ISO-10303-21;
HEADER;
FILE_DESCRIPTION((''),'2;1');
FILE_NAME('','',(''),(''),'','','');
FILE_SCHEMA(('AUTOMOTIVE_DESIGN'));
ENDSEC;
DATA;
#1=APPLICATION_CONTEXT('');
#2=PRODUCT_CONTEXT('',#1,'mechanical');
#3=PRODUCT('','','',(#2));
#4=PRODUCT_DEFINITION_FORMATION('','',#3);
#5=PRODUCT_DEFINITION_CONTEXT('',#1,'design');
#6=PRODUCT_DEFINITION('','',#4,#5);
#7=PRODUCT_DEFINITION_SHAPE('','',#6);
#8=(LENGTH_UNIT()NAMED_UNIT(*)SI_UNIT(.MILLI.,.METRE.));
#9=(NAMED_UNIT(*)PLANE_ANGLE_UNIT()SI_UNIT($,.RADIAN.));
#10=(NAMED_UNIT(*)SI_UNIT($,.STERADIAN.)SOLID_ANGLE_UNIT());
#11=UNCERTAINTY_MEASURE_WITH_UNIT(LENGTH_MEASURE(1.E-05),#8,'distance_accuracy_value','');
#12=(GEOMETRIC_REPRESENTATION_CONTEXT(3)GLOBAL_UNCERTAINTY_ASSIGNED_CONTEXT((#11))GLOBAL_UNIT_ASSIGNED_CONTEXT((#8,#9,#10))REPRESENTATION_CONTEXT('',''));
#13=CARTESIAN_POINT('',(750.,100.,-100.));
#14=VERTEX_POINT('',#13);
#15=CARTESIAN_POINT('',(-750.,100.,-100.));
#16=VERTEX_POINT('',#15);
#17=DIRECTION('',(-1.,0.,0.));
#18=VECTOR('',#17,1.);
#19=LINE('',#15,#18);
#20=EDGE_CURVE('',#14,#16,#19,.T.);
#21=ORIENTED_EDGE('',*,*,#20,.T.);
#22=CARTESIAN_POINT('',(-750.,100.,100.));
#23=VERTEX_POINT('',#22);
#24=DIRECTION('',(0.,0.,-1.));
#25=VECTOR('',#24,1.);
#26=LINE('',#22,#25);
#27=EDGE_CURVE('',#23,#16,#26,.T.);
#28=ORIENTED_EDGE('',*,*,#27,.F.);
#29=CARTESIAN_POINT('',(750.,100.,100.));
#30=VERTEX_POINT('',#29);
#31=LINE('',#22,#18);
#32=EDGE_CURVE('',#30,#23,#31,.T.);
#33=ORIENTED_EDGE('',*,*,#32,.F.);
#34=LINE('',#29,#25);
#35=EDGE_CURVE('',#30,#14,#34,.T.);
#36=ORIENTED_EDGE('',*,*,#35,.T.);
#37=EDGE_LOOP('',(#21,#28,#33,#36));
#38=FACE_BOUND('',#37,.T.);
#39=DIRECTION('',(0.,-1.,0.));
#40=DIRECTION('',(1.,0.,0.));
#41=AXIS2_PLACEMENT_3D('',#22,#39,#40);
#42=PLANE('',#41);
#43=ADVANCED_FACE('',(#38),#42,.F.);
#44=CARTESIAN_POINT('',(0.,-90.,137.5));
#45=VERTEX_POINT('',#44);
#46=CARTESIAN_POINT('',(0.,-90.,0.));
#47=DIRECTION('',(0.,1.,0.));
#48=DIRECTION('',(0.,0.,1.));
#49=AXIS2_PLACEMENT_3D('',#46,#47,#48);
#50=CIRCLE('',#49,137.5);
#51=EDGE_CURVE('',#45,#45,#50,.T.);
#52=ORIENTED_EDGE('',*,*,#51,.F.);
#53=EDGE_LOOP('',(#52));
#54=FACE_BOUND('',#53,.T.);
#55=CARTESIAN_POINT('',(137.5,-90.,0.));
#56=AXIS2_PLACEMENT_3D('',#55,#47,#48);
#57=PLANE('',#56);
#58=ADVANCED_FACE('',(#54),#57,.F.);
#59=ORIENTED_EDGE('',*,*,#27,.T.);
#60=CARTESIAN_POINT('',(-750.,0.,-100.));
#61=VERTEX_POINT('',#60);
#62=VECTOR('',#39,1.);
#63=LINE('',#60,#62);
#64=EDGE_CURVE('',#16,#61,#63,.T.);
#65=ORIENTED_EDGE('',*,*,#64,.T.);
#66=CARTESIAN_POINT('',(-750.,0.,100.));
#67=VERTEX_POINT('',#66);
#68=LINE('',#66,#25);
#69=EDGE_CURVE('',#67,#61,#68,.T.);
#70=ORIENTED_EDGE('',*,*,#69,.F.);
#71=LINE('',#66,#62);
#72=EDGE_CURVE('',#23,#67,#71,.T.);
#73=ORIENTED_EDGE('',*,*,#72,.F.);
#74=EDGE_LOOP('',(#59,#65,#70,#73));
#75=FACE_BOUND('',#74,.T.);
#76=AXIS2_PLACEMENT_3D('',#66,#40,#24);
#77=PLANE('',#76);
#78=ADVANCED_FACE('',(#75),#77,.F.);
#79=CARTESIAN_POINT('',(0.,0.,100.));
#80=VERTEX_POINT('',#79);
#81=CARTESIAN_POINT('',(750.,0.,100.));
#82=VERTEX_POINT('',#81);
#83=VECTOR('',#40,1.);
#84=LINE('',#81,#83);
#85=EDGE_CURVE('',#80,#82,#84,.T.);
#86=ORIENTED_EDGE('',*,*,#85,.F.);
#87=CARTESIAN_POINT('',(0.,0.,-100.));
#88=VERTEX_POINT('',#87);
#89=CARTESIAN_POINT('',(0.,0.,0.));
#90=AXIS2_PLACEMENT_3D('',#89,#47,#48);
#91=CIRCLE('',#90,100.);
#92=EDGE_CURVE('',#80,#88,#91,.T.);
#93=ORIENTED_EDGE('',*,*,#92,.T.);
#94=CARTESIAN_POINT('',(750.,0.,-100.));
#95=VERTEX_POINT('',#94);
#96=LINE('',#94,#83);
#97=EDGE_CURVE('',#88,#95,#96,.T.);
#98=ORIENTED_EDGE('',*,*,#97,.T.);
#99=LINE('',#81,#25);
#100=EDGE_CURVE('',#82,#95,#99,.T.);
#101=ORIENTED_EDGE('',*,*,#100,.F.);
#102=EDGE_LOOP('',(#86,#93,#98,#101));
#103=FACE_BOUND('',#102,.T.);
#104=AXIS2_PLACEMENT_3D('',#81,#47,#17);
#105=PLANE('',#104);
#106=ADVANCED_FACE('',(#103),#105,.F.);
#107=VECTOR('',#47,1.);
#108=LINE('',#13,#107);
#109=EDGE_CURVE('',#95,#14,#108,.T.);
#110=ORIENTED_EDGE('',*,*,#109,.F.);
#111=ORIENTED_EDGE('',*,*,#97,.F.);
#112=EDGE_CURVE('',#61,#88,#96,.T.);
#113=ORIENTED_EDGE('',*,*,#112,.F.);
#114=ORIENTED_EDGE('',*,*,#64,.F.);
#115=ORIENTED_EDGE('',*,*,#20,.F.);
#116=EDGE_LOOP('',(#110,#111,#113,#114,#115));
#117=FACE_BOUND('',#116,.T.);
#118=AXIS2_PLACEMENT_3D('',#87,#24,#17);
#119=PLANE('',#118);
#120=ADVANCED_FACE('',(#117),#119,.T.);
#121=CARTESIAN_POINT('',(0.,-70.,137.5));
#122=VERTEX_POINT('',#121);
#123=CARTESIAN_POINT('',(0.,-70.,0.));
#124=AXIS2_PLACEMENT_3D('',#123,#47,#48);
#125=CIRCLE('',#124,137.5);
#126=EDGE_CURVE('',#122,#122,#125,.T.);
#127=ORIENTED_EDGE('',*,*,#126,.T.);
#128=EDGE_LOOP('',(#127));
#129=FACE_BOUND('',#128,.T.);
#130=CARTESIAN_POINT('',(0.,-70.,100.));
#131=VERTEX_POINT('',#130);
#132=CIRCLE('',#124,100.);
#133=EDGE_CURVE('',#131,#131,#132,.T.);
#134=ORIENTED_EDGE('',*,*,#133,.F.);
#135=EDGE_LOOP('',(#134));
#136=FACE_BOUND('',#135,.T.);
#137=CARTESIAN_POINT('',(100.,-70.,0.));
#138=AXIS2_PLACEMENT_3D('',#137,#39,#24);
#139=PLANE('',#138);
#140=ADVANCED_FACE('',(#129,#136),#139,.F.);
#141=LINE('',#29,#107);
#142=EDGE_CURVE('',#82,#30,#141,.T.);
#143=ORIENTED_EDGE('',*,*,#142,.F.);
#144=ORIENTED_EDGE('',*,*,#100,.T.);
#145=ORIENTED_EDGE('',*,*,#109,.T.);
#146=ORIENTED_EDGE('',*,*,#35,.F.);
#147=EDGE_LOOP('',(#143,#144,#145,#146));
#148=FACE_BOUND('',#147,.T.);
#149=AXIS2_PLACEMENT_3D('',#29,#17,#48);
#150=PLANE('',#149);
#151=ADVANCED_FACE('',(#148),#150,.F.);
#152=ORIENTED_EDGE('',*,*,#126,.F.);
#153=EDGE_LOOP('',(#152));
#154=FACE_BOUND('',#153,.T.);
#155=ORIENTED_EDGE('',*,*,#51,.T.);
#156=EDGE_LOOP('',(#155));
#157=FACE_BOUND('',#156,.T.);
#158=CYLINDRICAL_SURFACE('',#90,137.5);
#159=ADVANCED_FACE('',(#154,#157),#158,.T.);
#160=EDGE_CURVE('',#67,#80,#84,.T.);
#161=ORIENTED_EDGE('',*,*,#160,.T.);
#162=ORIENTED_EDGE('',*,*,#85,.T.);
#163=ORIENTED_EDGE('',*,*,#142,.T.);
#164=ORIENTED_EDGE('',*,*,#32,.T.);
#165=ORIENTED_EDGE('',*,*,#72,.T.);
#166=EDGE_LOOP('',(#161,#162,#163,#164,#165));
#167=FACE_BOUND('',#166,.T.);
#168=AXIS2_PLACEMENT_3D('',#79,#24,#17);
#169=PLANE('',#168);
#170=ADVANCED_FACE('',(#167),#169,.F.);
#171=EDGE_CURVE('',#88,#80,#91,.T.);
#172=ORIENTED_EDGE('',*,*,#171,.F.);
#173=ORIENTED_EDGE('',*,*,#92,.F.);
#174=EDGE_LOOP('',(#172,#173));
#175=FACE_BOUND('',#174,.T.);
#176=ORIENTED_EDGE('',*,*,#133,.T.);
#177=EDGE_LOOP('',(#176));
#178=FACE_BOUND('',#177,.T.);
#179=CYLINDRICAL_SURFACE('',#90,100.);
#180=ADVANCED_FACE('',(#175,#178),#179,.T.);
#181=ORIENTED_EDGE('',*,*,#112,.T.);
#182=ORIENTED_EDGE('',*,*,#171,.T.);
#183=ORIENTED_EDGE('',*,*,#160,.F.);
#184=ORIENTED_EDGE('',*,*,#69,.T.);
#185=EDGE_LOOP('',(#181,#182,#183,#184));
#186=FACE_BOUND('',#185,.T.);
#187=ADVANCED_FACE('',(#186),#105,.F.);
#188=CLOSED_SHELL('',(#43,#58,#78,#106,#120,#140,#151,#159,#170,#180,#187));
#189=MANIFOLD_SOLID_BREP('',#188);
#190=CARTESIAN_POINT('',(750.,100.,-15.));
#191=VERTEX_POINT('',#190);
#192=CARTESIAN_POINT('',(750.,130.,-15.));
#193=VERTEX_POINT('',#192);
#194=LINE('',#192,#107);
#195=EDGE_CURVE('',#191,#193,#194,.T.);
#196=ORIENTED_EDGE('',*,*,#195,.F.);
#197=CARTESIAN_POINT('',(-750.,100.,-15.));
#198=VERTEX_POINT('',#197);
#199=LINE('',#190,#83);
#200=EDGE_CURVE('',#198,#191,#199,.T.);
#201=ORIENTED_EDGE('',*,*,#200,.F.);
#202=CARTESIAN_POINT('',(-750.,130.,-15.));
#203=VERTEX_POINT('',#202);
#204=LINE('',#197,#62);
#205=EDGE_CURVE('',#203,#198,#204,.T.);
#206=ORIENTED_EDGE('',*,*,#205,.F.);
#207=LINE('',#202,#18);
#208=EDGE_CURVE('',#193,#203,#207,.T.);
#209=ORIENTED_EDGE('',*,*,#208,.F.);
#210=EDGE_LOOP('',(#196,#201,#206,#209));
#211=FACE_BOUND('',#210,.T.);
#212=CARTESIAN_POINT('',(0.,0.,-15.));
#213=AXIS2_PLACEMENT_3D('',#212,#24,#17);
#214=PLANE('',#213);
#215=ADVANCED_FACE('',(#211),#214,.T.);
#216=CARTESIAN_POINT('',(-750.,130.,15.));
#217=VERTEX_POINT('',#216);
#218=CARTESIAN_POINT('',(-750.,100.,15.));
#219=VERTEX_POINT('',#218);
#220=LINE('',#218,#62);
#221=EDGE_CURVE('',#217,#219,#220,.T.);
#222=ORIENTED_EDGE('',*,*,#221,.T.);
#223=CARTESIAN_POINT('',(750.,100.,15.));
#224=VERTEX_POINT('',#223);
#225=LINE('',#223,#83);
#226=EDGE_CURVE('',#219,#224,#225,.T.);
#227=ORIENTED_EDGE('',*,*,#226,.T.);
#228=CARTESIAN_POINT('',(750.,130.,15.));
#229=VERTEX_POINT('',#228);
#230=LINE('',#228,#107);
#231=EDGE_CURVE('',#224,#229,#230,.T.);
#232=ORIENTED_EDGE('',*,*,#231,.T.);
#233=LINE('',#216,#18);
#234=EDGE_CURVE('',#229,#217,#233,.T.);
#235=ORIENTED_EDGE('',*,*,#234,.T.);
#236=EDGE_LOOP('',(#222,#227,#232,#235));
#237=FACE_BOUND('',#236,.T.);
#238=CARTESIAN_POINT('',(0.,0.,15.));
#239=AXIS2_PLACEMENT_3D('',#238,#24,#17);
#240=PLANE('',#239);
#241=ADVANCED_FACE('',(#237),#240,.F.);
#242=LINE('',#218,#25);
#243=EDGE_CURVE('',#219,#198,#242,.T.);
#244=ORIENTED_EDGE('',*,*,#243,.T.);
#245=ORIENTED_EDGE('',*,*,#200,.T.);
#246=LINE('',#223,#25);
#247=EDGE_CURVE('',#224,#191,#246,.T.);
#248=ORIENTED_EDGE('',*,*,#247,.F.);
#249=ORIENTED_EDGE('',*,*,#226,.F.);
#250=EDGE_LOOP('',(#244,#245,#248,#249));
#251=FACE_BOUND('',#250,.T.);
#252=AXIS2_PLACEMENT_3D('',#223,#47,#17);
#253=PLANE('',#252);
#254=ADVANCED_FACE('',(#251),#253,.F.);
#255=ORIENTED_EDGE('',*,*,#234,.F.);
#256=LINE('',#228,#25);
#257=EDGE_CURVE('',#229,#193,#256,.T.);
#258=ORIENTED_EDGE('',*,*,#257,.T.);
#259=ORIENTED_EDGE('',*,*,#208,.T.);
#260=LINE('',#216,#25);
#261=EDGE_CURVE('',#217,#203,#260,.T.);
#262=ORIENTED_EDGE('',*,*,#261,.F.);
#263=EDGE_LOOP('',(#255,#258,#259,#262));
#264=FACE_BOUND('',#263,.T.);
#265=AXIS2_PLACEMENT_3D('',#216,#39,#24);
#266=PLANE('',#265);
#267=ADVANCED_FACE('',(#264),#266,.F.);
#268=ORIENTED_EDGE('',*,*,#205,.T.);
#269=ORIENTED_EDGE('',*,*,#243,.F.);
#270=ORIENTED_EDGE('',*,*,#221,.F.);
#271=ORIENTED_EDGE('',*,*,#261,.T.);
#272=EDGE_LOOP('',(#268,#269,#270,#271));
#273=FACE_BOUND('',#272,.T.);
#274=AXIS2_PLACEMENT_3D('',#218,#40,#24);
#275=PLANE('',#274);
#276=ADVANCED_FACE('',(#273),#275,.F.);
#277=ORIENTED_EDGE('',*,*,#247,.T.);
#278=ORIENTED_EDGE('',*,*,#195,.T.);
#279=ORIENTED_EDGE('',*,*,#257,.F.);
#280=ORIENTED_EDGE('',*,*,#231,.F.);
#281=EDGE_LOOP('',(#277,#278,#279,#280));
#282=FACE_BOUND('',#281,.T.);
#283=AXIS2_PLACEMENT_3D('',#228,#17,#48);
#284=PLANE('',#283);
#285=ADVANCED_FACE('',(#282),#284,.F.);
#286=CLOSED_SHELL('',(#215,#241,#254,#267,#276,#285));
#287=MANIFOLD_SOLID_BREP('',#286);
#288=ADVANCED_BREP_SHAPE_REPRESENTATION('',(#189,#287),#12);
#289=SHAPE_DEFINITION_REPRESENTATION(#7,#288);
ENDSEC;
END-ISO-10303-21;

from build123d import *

# Parameters (mm, degrees)
ESBO_O1_W                = 1500
ESBO_O1_H                = 100
RESSALTO_EXTRUS_O1_DEPTH = 100
ESBO_O3_W                = 1500
ESBO_O3_H                = 30
RESSALTO_EXTRUS_O3_DEPTH = 15


with BuildPart() as part:
    # Esboço1 → Ressalto-extrusão1 (new body, symmetric)
    with BuildSketch(Plane.XY):
        with Locations((0, 50)):
            Rectangle(ESBO_O1_W, ESBO_O1_H)
    extrude(amount=RESSALTO_EXTRUS_O1_DEPTH, both=True)

    # Esboço6 → Revolução1 (revolve)
    with BuildSketch(Plane.XY):
        Polygon((0, 0), (100, 0), (100, -70), (137.5, -70), (137.5, -90), (0, -90), align=None)
    revolve(axis=Axis((0, 0, 0), (0, -1, 0)))


with BuildPart() as body_2:
    # Esboço3 → Ressalto-extrusão3 (new body, symmetric)
    with BuildSketch(Plane.XY):
        with Locations((0, 115)):
            Rectangle(ESBO_O3_W, ESBO_O3_H)
    extrude(amount=RESSALTO_EXTRUS_O3_DEPTH, both=True)


solid = Compound([part.part, body_2.part])
